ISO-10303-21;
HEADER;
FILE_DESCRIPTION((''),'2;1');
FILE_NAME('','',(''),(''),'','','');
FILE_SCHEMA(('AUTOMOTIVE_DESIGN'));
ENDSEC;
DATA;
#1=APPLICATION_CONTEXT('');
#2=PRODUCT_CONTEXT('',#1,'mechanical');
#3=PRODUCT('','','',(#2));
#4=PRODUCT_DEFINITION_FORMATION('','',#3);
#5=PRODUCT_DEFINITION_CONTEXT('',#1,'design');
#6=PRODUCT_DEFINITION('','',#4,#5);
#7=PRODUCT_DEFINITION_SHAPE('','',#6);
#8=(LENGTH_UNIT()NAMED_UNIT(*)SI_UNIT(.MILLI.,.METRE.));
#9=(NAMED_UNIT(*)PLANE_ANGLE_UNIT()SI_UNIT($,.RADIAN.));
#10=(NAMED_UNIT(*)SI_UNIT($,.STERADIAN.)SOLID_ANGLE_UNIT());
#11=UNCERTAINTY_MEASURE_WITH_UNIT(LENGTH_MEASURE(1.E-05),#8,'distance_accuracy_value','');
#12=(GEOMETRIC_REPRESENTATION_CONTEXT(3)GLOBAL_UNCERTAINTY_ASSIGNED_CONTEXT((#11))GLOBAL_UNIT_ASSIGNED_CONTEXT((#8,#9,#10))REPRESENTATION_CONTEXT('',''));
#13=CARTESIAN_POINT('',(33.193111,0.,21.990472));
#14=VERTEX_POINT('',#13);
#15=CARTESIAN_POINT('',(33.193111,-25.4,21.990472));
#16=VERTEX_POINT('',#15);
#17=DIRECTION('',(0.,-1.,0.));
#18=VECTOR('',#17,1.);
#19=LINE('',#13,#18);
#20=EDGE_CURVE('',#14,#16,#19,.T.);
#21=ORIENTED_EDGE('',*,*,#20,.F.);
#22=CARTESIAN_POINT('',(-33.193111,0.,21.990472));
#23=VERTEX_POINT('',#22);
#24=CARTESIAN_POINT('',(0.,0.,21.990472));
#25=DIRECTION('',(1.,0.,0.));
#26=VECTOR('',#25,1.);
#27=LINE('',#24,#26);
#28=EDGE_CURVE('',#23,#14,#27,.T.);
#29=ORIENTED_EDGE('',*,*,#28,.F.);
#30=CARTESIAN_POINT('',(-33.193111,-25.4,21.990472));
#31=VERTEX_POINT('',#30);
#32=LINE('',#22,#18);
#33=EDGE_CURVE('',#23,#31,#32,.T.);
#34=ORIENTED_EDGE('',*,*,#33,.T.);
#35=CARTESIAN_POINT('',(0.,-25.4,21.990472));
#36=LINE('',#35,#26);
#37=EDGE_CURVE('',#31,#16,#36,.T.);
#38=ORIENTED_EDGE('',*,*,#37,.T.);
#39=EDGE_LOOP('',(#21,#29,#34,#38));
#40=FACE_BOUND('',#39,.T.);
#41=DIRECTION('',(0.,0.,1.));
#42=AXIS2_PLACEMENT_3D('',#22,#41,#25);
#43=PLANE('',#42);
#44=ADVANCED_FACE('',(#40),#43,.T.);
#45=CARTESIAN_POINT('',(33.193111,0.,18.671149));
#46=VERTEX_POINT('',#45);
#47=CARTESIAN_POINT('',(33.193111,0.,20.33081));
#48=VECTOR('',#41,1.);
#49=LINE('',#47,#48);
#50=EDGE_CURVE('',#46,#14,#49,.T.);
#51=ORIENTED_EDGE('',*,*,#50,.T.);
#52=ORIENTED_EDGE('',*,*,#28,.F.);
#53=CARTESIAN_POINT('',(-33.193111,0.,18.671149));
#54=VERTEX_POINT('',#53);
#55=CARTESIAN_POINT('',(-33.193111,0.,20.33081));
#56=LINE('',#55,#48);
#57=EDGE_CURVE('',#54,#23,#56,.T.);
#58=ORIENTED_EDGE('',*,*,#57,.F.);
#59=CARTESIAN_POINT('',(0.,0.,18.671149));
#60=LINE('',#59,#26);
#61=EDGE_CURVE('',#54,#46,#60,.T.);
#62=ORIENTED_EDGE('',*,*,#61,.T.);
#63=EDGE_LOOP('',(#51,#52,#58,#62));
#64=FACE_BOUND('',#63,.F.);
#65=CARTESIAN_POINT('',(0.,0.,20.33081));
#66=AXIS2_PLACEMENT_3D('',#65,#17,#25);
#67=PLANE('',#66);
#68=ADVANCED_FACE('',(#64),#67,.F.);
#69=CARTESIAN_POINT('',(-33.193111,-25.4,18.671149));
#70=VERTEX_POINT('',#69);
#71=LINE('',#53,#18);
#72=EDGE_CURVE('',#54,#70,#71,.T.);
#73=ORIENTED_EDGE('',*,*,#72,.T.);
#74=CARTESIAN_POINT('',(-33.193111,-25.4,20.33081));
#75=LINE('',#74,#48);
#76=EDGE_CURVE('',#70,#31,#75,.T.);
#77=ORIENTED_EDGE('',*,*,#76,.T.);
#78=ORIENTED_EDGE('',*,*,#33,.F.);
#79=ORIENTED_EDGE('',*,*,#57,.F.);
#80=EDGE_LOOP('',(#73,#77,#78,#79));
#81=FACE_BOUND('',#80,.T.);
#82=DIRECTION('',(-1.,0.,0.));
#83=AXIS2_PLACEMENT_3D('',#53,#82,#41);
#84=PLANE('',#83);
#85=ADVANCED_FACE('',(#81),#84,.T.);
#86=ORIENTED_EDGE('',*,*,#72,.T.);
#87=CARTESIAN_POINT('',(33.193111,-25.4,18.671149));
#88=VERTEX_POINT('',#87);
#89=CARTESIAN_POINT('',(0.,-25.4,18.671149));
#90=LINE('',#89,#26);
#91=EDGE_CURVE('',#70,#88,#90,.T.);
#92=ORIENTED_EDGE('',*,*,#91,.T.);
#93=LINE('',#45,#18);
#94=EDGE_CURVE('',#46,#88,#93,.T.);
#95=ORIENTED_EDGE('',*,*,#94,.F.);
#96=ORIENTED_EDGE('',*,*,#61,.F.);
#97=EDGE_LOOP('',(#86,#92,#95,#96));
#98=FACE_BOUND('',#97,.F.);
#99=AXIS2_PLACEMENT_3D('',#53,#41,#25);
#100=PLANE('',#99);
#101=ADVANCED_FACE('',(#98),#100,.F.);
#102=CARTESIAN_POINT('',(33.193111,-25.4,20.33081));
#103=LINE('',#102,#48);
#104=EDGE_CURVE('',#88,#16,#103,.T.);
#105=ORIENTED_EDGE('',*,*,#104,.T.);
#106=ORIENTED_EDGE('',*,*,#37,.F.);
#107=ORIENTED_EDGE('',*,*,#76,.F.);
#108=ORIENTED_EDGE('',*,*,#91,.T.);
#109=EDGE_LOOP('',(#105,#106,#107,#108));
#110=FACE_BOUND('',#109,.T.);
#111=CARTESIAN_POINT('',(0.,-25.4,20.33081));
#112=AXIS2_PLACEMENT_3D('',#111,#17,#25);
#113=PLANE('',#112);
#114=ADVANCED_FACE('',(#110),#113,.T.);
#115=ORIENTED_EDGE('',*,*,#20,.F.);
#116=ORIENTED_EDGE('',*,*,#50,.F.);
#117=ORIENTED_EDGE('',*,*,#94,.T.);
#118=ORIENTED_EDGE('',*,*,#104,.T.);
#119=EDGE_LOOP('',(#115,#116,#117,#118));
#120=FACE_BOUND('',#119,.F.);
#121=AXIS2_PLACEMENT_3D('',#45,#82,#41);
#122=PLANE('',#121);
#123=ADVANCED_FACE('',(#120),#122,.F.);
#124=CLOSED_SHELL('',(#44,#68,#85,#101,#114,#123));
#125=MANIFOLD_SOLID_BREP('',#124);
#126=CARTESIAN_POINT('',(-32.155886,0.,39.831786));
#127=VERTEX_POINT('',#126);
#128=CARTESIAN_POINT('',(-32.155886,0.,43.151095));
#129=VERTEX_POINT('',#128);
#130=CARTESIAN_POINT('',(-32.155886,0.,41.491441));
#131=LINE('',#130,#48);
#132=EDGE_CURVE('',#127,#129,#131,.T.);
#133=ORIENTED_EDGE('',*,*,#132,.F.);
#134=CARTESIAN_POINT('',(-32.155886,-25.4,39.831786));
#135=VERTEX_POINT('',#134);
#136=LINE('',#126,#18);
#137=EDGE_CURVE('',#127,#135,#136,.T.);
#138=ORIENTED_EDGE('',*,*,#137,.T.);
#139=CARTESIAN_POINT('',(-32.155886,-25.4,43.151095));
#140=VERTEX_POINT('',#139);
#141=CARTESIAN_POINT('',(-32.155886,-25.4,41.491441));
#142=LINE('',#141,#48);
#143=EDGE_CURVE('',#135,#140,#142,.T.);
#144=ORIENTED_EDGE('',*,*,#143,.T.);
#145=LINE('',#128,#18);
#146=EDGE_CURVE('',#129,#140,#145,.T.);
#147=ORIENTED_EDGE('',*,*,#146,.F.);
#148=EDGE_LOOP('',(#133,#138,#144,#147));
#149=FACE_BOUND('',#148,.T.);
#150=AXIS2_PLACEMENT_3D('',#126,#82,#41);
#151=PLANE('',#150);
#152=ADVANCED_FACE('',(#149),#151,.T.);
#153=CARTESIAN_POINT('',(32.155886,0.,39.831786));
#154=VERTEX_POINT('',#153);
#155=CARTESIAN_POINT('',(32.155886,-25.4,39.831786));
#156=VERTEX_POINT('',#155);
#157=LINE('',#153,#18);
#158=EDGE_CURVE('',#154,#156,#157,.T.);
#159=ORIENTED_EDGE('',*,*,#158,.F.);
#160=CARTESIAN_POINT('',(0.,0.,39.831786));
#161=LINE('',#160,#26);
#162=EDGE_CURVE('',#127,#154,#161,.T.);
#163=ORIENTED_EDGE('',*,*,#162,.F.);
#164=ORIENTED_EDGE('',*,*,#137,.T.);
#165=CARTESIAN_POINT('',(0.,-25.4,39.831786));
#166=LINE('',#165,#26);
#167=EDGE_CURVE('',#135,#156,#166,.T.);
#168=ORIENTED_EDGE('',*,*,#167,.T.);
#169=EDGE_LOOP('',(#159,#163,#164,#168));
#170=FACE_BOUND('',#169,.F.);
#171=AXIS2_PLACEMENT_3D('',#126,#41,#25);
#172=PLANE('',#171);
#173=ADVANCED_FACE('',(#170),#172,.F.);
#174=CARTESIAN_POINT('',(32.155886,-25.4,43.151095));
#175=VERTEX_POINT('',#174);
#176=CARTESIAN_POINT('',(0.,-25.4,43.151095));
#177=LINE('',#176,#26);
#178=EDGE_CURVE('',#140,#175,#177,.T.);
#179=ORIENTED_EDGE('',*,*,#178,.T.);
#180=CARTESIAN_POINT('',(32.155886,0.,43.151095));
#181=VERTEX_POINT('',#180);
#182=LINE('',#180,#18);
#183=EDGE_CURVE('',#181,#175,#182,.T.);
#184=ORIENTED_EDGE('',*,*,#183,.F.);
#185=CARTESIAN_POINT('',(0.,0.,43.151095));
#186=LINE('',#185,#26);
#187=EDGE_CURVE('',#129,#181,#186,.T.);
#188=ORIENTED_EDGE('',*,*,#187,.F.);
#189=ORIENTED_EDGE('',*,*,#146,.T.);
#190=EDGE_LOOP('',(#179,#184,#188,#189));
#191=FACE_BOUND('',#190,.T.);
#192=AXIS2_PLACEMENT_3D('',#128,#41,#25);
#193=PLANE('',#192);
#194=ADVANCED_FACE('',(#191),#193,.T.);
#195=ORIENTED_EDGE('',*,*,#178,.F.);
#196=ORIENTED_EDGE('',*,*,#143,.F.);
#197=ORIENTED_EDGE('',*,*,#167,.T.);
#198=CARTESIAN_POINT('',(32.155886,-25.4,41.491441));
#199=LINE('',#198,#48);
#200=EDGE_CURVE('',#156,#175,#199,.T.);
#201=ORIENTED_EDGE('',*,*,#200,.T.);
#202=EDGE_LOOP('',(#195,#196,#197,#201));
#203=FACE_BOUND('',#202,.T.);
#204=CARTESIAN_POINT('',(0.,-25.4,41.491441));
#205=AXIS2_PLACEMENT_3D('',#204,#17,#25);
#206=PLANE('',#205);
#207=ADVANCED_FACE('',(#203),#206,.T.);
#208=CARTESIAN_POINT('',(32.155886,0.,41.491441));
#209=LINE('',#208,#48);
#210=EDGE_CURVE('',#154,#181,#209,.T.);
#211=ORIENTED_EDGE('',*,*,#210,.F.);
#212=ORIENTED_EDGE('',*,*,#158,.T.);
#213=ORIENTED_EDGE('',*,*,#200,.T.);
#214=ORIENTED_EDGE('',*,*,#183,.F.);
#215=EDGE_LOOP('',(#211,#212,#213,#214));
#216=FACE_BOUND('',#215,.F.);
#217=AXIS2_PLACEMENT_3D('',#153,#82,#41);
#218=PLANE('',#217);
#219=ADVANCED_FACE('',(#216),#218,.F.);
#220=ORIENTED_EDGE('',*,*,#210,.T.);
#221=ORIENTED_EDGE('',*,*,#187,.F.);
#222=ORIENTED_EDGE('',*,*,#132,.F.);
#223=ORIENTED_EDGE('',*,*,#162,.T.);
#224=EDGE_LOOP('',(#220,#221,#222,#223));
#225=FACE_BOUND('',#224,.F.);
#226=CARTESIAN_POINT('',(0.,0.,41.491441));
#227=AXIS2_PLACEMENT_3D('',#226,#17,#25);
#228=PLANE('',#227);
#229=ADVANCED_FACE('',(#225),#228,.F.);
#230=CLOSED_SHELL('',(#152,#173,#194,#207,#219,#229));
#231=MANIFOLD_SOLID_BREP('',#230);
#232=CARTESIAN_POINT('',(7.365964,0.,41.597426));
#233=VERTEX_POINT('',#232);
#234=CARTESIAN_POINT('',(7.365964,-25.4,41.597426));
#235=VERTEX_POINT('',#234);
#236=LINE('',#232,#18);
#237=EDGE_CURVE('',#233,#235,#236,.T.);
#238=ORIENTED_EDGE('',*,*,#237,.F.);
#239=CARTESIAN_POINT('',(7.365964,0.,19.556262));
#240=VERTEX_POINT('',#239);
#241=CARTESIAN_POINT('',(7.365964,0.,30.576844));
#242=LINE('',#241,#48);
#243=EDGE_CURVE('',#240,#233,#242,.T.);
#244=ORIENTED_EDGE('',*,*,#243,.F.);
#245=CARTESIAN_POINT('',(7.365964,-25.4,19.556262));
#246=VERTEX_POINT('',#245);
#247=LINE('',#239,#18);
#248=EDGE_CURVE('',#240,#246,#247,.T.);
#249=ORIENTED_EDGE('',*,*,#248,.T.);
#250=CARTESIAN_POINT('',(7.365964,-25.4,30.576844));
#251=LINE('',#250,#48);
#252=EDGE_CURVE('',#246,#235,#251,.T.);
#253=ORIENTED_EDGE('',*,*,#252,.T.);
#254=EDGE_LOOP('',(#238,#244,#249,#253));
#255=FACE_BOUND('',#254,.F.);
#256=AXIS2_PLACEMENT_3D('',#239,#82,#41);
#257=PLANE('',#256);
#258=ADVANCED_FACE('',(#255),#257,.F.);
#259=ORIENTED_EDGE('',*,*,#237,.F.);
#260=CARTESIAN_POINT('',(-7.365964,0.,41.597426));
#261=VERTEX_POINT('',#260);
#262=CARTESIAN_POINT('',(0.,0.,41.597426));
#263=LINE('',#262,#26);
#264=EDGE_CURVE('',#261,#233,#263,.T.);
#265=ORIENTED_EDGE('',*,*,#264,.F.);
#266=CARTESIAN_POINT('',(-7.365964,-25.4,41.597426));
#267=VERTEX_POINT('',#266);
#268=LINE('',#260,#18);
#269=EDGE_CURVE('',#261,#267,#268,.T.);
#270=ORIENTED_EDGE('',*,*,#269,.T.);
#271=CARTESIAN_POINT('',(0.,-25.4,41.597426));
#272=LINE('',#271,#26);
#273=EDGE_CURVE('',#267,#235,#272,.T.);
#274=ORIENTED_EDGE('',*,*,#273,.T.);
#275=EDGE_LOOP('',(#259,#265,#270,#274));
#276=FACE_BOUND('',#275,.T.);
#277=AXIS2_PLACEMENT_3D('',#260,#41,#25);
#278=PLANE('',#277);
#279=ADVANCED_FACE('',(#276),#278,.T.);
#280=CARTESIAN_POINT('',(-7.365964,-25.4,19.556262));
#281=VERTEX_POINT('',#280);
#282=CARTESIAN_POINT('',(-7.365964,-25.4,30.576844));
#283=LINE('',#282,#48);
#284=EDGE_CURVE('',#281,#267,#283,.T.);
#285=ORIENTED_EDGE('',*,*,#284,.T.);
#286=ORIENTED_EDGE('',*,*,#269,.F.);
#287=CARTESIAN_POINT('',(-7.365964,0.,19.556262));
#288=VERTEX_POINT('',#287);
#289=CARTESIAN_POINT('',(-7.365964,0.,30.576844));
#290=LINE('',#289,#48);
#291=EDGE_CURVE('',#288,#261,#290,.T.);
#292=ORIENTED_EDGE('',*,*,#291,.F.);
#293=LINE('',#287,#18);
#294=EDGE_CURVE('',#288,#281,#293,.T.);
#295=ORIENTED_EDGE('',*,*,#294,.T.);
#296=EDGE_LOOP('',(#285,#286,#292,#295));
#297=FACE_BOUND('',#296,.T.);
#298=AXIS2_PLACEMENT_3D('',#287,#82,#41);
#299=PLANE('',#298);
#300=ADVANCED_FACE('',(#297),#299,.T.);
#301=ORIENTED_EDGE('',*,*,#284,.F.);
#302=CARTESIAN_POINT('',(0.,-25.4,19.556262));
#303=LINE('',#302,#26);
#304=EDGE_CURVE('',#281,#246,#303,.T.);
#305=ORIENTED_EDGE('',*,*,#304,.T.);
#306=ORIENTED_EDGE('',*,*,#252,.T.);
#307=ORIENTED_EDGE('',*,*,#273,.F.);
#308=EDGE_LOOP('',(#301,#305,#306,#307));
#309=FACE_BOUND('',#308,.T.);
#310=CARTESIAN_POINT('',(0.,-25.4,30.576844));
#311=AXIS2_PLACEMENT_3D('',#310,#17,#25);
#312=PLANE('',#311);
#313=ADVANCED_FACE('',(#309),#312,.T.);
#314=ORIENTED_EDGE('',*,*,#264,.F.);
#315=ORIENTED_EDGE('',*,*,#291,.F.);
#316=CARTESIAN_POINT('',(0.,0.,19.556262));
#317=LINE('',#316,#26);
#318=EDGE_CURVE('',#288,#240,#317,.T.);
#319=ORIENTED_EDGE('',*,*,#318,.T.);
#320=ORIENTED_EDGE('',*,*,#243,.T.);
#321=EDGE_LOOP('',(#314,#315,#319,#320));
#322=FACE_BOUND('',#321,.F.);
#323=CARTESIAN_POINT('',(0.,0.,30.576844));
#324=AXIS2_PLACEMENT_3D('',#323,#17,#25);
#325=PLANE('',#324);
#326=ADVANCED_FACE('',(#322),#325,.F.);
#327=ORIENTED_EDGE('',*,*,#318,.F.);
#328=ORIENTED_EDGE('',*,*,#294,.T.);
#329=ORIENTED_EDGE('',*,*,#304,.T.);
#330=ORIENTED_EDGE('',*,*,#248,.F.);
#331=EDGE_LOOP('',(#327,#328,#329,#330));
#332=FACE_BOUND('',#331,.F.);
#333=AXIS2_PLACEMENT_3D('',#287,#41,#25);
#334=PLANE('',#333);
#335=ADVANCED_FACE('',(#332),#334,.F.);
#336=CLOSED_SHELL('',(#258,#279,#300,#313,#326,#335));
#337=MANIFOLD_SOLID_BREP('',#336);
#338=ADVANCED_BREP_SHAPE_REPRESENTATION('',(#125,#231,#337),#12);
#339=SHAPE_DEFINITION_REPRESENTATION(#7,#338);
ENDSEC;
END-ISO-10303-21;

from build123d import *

# Parameters (mm, degrees)
F0_W     = 66.386222
F0_H     = 3.319323
F0_W_2   = 64.311772
F0_H_2   = 3.319309
F1_DEPTH = 25.4
F2_W     = 14.731928
F2_H     = 22.041164
F3_DEPTH = 25.4


with BuildPart() as f1:
    # F0 (on Front) → F1 (new body)
    with BuildSketch(Plane.XZ):
        with Locations((0, 20.33081)):
            Rectangle(F0_W, F0_H)
        with Locations((0, 41.491441)):
            Rectangle(F0_W_2, F0_H_2)
    extrude(amount=F1_DEPTH)


with BuildPart() as f3:
    # F2 (on Front) → F3 (new body)
    with BuildSketch(Plane.XZ):
        with Locations((0, 30.576844)):
            Rectangle(F2_W, F2_H)
    extrude(amount=F3_DEPTH)


solid = Compound([f1.part, f3.part])
